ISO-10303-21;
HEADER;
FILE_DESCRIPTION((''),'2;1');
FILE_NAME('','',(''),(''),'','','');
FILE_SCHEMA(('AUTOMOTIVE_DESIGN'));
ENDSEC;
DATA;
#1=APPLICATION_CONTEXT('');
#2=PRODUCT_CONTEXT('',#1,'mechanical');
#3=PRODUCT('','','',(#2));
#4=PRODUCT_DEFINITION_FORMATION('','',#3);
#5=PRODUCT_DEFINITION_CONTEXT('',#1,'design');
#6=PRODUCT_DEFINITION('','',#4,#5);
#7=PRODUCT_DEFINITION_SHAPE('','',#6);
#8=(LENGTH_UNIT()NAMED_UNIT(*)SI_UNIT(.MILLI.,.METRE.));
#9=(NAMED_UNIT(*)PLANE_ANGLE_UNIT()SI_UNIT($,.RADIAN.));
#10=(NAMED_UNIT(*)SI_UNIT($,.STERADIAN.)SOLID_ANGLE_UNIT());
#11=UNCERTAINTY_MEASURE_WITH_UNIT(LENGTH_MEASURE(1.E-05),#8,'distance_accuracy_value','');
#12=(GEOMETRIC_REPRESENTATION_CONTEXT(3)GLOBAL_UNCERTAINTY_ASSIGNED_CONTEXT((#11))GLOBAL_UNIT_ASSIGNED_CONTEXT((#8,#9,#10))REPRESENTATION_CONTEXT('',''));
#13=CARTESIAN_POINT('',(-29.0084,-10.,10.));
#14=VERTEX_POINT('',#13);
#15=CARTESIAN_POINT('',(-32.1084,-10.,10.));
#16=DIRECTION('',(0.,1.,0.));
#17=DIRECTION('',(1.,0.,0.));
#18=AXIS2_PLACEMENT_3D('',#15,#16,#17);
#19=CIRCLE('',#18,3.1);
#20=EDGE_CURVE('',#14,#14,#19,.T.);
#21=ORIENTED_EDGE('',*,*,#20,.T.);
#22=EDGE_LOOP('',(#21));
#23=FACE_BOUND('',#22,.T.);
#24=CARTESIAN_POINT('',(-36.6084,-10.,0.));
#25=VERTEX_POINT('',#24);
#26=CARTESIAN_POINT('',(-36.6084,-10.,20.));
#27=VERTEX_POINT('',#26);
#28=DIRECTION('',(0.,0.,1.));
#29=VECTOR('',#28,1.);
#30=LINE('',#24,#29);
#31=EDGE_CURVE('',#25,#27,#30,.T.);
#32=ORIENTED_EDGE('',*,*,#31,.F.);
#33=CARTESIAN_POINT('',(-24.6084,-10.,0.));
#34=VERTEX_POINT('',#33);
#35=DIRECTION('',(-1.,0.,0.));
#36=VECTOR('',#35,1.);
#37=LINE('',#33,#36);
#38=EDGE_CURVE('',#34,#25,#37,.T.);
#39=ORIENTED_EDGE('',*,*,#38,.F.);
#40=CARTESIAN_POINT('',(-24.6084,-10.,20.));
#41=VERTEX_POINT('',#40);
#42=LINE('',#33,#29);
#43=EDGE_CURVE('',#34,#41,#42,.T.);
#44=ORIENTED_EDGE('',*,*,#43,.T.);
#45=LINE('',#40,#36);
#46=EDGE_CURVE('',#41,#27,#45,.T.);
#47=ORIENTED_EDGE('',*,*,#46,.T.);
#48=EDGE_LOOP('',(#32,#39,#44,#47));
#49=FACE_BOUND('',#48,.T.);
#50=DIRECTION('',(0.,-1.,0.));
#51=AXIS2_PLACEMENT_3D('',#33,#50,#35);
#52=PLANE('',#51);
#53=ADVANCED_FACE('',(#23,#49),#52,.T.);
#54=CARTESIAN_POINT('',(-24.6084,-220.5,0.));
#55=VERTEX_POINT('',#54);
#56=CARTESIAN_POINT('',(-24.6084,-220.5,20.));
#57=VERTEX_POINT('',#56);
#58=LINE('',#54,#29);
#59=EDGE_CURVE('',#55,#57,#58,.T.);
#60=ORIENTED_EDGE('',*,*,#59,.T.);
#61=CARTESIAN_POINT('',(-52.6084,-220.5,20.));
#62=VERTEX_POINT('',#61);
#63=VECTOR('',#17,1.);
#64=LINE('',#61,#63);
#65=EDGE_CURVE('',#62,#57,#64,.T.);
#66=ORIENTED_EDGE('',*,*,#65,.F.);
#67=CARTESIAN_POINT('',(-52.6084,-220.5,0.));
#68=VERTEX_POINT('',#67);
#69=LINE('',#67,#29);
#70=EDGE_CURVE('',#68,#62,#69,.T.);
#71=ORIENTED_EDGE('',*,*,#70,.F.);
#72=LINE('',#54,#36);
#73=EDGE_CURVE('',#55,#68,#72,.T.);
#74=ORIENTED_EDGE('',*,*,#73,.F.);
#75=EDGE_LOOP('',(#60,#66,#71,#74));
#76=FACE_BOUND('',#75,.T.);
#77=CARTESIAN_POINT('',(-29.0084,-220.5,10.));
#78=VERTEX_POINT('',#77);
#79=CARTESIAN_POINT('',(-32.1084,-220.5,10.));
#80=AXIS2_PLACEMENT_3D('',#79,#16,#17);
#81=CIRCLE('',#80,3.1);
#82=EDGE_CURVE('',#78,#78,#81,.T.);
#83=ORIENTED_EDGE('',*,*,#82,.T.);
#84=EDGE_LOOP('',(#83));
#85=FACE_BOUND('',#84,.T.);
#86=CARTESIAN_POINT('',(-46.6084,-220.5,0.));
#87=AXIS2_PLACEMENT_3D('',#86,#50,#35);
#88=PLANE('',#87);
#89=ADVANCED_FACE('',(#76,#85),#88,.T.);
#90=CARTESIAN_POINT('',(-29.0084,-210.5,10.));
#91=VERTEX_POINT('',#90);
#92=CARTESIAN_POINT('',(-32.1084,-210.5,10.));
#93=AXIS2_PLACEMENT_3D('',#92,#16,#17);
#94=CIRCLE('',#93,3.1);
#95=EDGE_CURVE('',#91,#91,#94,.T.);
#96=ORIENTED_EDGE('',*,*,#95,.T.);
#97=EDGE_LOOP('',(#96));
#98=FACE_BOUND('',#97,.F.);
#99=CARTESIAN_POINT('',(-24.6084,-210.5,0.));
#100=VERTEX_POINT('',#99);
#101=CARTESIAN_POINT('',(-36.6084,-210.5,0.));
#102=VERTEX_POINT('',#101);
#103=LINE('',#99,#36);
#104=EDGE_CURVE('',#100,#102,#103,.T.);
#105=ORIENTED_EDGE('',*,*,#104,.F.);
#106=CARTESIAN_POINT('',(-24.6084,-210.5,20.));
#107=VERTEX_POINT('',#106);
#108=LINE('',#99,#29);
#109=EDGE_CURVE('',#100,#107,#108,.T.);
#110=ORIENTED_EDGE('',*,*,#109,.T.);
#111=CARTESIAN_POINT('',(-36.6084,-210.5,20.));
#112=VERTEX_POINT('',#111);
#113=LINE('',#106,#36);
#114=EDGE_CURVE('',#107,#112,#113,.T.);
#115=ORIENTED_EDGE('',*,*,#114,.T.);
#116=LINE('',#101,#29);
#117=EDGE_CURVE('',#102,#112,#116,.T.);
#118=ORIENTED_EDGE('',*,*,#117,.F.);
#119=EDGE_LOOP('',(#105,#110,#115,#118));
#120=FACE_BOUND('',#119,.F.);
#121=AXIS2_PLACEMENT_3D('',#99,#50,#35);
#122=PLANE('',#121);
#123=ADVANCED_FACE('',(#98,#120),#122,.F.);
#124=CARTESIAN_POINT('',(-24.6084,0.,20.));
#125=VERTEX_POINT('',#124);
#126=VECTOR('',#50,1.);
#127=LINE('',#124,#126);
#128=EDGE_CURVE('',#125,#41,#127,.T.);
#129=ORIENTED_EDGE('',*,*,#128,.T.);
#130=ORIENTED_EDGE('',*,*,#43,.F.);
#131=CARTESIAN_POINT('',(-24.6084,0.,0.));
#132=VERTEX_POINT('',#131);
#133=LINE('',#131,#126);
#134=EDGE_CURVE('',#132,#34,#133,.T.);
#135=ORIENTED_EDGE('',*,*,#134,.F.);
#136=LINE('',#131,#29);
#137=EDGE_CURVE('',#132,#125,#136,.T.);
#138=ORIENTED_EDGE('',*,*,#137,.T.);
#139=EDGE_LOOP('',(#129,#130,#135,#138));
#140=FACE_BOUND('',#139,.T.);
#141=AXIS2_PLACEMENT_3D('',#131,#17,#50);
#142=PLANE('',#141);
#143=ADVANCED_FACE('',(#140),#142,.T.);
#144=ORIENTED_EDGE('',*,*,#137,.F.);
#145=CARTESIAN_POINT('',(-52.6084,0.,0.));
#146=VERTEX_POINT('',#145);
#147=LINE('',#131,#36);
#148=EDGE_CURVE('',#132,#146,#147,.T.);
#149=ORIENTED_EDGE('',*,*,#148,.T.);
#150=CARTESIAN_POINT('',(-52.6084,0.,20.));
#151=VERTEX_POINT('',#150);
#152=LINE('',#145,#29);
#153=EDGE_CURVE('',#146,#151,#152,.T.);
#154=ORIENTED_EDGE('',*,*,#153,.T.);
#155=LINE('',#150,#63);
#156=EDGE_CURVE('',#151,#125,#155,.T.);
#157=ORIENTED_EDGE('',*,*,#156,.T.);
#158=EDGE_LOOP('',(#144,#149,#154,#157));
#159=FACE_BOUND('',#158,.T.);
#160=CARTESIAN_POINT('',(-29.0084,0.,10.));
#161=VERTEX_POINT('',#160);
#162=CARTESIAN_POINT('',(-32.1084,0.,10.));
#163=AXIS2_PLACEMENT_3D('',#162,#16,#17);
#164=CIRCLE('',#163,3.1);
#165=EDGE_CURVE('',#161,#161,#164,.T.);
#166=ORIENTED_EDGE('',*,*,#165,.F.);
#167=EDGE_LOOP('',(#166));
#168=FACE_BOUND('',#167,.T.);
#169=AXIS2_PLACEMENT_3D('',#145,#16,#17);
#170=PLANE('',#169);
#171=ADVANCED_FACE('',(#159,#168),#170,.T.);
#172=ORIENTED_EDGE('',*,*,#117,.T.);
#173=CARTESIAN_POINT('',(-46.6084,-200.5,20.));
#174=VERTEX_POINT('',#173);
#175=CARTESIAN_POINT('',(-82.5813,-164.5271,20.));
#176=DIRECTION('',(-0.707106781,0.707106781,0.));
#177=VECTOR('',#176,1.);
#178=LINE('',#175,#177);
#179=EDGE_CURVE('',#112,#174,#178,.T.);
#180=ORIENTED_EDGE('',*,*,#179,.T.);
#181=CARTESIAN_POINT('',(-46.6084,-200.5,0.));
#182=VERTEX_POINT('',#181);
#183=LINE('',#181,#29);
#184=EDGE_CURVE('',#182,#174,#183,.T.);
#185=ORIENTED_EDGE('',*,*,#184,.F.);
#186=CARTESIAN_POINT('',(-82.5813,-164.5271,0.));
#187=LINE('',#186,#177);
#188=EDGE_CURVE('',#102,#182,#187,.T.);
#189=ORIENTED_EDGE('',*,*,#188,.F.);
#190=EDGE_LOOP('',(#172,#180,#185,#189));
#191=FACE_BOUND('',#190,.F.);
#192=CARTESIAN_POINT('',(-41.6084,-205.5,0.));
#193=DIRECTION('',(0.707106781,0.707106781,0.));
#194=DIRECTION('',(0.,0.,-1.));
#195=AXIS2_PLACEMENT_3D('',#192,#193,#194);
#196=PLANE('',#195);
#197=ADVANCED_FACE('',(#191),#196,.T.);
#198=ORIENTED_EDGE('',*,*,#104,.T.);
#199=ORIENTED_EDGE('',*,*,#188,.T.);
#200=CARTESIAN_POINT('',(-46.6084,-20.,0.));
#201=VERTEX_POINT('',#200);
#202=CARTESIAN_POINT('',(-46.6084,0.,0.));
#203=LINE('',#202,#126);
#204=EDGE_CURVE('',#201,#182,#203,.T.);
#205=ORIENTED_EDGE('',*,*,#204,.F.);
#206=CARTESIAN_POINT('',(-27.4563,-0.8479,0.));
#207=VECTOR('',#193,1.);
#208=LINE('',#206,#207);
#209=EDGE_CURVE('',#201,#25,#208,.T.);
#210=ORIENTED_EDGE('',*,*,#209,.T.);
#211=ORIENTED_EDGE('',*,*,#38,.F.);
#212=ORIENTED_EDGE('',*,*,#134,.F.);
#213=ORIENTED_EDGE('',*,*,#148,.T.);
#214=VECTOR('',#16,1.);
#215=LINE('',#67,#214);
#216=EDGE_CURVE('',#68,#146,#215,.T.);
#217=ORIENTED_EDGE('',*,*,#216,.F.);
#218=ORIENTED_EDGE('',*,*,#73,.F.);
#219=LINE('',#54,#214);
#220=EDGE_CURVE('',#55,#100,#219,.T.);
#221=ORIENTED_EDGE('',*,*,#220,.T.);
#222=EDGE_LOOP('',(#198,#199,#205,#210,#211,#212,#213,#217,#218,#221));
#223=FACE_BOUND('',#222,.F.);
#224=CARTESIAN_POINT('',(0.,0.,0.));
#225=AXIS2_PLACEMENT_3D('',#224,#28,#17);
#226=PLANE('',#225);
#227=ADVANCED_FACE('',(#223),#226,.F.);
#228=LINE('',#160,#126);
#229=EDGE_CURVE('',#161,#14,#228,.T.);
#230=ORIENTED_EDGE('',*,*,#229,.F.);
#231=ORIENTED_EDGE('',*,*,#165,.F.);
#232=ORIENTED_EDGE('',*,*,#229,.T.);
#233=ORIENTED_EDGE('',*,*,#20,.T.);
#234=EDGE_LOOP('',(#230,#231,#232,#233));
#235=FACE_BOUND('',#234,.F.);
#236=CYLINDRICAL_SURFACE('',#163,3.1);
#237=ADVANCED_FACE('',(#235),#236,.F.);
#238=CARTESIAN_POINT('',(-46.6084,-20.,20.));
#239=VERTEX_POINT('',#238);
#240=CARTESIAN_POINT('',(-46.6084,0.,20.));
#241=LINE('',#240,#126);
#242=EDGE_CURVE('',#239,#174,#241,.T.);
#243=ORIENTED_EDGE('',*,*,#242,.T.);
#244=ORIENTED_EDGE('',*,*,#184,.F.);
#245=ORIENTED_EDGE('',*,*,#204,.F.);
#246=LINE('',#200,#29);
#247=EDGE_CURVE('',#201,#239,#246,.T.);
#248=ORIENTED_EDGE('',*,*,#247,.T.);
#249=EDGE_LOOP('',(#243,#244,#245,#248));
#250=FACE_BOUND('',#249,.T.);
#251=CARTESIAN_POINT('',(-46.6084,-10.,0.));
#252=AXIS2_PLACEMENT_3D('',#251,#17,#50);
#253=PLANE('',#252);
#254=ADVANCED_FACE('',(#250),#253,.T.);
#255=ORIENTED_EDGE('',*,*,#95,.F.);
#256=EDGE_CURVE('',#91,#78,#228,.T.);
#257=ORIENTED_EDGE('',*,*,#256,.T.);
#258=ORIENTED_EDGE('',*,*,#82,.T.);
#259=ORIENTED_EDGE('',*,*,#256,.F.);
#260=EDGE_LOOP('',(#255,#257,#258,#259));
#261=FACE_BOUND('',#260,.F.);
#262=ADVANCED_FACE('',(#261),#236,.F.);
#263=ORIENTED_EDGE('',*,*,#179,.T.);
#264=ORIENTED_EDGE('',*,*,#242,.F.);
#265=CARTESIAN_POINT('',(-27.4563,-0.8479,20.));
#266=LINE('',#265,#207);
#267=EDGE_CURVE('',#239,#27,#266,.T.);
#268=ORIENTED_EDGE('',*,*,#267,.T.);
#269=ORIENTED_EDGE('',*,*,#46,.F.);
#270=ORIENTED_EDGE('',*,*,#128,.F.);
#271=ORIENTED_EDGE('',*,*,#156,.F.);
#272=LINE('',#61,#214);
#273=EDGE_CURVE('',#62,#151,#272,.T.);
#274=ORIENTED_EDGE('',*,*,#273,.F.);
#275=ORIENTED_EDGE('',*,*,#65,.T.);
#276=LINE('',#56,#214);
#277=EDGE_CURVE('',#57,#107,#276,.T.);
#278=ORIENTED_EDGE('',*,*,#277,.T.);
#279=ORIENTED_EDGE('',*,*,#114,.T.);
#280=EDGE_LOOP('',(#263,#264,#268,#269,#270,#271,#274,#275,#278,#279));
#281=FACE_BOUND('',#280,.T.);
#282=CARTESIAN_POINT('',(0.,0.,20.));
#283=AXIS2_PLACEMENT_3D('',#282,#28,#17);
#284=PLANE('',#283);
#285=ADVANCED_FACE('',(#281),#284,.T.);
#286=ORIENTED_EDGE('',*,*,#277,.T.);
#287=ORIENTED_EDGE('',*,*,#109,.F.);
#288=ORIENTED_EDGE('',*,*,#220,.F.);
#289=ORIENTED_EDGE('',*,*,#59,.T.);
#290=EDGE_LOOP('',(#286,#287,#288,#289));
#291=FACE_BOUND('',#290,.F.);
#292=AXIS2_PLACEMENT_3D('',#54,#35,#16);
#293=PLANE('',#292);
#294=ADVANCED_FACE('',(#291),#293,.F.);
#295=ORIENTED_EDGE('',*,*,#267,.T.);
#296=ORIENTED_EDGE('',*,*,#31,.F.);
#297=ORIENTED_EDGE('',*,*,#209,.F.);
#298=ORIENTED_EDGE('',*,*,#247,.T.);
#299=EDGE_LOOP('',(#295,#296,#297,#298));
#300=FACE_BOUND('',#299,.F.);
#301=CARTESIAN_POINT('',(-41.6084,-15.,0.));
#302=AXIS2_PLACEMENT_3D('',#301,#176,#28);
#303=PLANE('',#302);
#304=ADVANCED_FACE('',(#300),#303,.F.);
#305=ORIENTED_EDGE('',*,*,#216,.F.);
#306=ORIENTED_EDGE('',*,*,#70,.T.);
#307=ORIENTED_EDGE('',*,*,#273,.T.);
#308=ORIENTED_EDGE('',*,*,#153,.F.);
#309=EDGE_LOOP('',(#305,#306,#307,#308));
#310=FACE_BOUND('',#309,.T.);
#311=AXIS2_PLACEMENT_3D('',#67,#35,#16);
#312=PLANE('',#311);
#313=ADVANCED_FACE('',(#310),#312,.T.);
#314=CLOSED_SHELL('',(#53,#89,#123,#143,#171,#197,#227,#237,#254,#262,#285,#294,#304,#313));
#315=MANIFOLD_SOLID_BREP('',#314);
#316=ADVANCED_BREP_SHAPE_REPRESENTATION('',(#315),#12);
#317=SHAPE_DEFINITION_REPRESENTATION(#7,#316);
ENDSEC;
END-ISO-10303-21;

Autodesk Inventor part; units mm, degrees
ref_plane "YZ Plane" through (0, 0, 0) normal (1, 0, 0) x (0, 1, 0)
ref_plane "XZ Plane" through (0, 0, 0) normal (0, 1, 0) x (-1, 0, 0)
ref_plane "XY Plane" through (0, 0, 0) normal (0, 0, 1) x (1, 0, 0)
ref_plane "Work Plane1" through (0, 0, 0) normal (0, 0, 1) x (1, 0, 0)
sketch "Sketch1" plane through (0, 0, 0) normal (0, 0, 1) x (1, 0, 0)
  line L0 (0, 0) -> (-19.6084, 0) projected
  line L1 (0, -10) -> (-19.6084, -10) projected
  line L2 (0, 0) -> (0, -10) projected
  line L3 (0, -210.5) -> (-19.6084, -210.5) projected
  line L4 (0, -220.5) -> (-19.6084, -220.5) projected
  line L5 (0, -220.5) -> (0, -210.5) projected
  line L6 (-52.6084, 0) -> (-46.6084, 0)
  line L7 (-46.6084, 0) -> (-46.6084, -220.5)
  line L8 (-46.6084, -220.5) -> (-52.6084, -220.5)
  line L9 (-52.6084, -220.5) -> (-52.6084, 0)
  line L10 (-35.1084, -220.5) -> (-35.1084, 29.5) construction
  line L11 (-29.1084, -220.5) -> (-29.1084, 29.5) construction
  line L12 (-46.6084, 0) -> (-24.6084, 0)
  line L13 (-24.6084, 0) -> (-24.6084, -10)
  line L14 (-24.6084, -10) -> (-46.6084, -10)
  line L15 (-46.6084, -10) -> (-46.6084, 0)
  line L16 (-46.6084, -220.5) -> (-24.6084, -220.5)
  line L17 (-24.6084, -220.5) -> (-24.6084, -210.5)
  line L18 (-24.6084, -210.5) -> (-46.6084, -210.5)
  line L19 (-46.6084, -210.5) -> (-46.6084, -220.5)
  line L20 (-19.6084, -10) -> (-19.6084, 0) projected
  line L21 (-19.6084, -220.5) -> (-19.6084, -210.5) projected
  dimension "d0" = 6
  dimension "d1" = 22
  dimension "d2" = 10
  dimension "d3" = 22
  dimension "d4" = 10
extrude "Extrusion1" add sketch "Sketch1" along normal blind 20 contours L6 L7 L8 L9 | L12 L13 L14 L7 | L7 L18 L17 L16
sketch "Sketch2" plane through (-52.6084, 0, 0) normal (0, 1, 0) x (1, 0, 0)
  circle A0 centre (20.5, 120.1) radius 3 projected
  line L0 (0, 0) -> (28, 0) projected
  line L1 (0, 0) -> (0, -20) projected
  line L2 (28, -20) -> (0, -20) projected
  line L3 (28, 0) -> (28, -20) projected
  circle A1 centre (20.5, -10) radius 3.1
  point P0 (52.6084, 0)
  dimension "d7" = 6.2
  dimension "d8" = 10
extrude "Extrusion2" cut sketch "Sketch2" against normal through all contours A1
chamfer "Chamfer1" distance 10 angle 45 2 edges at (-46.6084, -10, 10) (-46.6084, -210.5, 10)
ref_plane "Work Plane2" through (0, 0, 10) normal (0, 0, 1) x (1, 0, 0)
properties part number "06_OPENTRONS_Microscope_Extraslide"
